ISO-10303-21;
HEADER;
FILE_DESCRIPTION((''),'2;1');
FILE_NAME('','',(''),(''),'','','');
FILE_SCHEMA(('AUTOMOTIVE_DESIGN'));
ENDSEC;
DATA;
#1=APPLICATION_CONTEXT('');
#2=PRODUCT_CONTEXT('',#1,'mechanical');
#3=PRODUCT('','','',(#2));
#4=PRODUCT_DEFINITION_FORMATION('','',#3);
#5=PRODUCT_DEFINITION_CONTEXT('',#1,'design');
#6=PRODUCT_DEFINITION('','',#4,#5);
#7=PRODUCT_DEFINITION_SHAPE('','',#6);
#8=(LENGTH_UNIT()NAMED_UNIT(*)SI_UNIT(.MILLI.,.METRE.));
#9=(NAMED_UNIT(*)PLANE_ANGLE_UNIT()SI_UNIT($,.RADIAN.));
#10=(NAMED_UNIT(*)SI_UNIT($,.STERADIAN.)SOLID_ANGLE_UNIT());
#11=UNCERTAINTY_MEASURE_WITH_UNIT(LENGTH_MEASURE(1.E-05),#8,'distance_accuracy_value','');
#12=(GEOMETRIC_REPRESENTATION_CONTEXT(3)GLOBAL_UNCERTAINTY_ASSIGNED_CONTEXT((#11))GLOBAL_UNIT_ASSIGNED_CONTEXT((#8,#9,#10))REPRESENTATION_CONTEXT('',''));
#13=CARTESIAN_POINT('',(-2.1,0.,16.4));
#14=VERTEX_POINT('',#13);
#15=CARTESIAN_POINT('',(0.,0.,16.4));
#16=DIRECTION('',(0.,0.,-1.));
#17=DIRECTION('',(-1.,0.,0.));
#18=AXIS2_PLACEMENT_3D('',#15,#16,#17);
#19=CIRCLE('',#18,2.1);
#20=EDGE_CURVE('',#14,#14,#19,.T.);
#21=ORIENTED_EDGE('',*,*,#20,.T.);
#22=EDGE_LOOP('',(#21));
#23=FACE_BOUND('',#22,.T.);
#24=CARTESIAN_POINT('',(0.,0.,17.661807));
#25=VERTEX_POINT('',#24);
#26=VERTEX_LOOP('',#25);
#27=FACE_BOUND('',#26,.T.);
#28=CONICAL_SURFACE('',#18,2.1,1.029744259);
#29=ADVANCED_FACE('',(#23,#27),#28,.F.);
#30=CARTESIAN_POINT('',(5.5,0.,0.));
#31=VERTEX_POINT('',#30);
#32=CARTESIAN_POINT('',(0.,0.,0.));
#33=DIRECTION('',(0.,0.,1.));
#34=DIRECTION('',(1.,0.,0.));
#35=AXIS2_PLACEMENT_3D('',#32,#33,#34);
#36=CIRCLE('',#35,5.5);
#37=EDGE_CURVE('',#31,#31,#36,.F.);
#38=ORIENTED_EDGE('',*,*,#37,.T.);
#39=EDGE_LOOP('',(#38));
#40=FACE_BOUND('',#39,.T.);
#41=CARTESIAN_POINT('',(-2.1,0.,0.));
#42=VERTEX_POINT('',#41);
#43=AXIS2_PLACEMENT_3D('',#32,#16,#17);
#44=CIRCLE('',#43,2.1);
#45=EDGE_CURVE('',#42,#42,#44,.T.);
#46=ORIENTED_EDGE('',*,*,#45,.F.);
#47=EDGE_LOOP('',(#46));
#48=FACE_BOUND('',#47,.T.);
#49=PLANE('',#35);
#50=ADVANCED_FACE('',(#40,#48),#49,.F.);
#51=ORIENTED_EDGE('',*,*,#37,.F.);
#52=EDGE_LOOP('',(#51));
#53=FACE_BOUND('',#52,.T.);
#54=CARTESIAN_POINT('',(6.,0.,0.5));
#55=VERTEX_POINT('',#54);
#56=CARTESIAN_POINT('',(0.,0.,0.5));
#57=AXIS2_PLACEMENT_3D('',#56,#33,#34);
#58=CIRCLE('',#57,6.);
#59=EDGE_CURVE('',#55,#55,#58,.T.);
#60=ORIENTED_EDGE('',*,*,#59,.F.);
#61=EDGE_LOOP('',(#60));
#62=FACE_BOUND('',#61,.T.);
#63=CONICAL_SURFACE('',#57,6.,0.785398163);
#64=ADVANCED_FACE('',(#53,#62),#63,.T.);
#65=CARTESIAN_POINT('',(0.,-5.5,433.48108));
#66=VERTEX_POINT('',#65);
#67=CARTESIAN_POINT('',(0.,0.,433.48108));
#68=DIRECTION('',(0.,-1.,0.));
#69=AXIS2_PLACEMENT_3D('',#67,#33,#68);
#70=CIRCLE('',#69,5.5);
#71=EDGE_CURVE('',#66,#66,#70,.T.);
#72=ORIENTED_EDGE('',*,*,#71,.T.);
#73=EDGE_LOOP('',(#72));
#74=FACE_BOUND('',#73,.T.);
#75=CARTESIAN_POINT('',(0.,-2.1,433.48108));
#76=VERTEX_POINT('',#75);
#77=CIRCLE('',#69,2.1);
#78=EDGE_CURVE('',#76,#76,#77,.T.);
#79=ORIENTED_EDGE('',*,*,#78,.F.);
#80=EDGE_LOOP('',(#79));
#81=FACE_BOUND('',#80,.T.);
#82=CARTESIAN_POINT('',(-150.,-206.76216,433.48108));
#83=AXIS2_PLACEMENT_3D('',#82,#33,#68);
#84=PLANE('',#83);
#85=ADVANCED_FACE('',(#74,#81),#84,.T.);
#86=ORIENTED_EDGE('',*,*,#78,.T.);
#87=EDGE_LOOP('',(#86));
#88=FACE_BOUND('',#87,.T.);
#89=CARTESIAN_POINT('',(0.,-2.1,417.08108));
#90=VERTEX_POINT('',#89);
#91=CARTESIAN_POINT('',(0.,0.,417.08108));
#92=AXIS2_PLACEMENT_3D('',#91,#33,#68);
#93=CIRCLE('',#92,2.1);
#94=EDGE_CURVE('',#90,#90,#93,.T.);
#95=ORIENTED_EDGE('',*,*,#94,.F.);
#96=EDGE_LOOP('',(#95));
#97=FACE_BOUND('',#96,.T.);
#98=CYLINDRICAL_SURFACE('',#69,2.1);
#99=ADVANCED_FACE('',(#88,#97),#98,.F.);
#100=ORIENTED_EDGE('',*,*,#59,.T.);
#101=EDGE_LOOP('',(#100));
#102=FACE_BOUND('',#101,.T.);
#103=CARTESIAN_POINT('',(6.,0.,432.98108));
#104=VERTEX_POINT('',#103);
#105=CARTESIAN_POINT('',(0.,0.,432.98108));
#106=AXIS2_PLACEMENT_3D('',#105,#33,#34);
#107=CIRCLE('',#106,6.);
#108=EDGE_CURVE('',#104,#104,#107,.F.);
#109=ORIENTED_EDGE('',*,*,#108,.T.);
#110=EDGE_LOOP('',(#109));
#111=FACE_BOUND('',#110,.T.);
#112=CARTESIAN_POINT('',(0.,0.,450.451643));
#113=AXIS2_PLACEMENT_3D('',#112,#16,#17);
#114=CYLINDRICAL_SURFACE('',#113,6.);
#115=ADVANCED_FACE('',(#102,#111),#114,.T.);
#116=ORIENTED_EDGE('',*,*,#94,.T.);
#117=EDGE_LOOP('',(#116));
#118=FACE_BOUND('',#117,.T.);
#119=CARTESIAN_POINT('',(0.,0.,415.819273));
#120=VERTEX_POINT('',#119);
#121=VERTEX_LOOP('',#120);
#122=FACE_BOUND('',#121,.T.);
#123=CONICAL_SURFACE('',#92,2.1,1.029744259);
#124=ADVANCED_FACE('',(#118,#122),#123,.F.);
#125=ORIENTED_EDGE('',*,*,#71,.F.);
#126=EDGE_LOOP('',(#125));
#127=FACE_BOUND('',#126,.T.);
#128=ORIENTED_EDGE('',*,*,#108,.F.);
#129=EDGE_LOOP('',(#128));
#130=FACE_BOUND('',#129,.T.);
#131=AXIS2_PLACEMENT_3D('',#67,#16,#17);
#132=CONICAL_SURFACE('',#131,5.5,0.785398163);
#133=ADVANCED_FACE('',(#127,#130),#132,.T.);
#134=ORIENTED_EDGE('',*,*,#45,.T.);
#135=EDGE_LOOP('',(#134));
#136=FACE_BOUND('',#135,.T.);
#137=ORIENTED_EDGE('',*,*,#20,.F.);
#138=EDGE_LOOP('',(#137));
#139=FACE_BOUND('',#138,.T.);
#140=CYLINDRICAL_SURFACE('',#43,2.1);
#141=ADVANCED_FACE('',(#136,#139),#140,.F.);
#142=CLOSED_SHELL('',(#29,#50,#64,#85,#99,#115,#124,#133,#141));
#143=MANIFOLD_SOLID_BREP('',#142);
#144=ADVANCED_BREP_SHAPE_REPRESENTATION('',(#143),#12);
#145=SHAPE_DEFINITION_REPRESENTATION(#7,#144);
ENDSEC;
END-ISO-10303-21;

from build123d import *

# Parameters (mm, degrees)
SKETCH1_R                           = 6
BOSS_EXTRUDE1_DEPTH                 = 433.48108
CHAMFER1_SIZE                       = 0.5
M5X0_8_TAPPED_HOLE1_D               = 4.2
M5X0_8_TAPPED_HOLE1_DEPTH           = 16.4
M5X0_8_TAPPED_HOLE1_TIP             = 1.2618073
M5X0_8_TAPPED_HOLE1_ON_FACE_2_D     = 4.2
M5X0_8_TAPPED_HOLE1_ON_FACE_2_DEPTH = 16.4
M5X0_8_TAPPED_HOLE1_ON_FACE_2_TIP   = 1.2618073


with BuildPart() as part:
    # Sketch1 → Boss-Extrude1 (new body)
    with BuildSketch(Plane.XY):
        Circle(SKETCH1_R)
    extrude(amount=BOSS_EXTRUDE1_DEPTH)

    # Chamfer1
    chamfer1_edges = [part.edges().sort_by_distance(p)[0] for p in [
        (-6, 0, 0),
        (-6, 0, 433.48108),
    ]]
    chamfer(chamfer1_edges, length=CHAMFER1_SIZE)

    # M5x0.8 Tapped Hole1
    with Locations(Plane(origin=(0, 0, 433.48108), x_dir=(0, 1, 0), z_dir=(0, 0, 1))):
        with Locations((0, 0)):
            Hole(M5X0_8_TAPPED_HOLE1_D / 2, depth=M5X0_8_TAPPED_HOLE1_DEPTH)
            with Locations((0, 0, -(M5X0_8_TAPPED_HOLE1_DEPTH + M5X0_8_TAPPED_HOLE1_TIP / 2))):  # 118° drill point
                Cone(0, M5X0_8_TAPPED_HOLE1_D / 2, M5X0_8_TAPPED_HOLE1_TIP, mode=Mode.SUBTRACT)

    # M5x0.8 Tapped Hole1 on face 2
    with Locations(Plane(origin=(0, 0, 0), x_dir=(-1, 0, 0), z_dir=(0, 0, -1))):
        with Locations((0, 0)):
            Hole(M5X0_8_TAPPED_HOLE1_ON_FACE_2_D / 2, depth=M5X0_8_TAPPED_HOLE1_ON_FACE_2_DEPTH)
            with Locations((0, 0, -(M5X0_8_TAPPED_HOLE1_ON_FACE_2_DEPTH + M5X0_8_TAPPED_HOLE1_ON_FACE_2_TIP / 2))):  # 118° drill point
                Cone(0, M5X0_8_TAPPED_HOLE1_ON_FACE_2_D / 2, M5X0_8_TAPPED_HOLE1_ON_FACE_2_TIP, mode=Mode.SUBTRACT)


solid = part.part
